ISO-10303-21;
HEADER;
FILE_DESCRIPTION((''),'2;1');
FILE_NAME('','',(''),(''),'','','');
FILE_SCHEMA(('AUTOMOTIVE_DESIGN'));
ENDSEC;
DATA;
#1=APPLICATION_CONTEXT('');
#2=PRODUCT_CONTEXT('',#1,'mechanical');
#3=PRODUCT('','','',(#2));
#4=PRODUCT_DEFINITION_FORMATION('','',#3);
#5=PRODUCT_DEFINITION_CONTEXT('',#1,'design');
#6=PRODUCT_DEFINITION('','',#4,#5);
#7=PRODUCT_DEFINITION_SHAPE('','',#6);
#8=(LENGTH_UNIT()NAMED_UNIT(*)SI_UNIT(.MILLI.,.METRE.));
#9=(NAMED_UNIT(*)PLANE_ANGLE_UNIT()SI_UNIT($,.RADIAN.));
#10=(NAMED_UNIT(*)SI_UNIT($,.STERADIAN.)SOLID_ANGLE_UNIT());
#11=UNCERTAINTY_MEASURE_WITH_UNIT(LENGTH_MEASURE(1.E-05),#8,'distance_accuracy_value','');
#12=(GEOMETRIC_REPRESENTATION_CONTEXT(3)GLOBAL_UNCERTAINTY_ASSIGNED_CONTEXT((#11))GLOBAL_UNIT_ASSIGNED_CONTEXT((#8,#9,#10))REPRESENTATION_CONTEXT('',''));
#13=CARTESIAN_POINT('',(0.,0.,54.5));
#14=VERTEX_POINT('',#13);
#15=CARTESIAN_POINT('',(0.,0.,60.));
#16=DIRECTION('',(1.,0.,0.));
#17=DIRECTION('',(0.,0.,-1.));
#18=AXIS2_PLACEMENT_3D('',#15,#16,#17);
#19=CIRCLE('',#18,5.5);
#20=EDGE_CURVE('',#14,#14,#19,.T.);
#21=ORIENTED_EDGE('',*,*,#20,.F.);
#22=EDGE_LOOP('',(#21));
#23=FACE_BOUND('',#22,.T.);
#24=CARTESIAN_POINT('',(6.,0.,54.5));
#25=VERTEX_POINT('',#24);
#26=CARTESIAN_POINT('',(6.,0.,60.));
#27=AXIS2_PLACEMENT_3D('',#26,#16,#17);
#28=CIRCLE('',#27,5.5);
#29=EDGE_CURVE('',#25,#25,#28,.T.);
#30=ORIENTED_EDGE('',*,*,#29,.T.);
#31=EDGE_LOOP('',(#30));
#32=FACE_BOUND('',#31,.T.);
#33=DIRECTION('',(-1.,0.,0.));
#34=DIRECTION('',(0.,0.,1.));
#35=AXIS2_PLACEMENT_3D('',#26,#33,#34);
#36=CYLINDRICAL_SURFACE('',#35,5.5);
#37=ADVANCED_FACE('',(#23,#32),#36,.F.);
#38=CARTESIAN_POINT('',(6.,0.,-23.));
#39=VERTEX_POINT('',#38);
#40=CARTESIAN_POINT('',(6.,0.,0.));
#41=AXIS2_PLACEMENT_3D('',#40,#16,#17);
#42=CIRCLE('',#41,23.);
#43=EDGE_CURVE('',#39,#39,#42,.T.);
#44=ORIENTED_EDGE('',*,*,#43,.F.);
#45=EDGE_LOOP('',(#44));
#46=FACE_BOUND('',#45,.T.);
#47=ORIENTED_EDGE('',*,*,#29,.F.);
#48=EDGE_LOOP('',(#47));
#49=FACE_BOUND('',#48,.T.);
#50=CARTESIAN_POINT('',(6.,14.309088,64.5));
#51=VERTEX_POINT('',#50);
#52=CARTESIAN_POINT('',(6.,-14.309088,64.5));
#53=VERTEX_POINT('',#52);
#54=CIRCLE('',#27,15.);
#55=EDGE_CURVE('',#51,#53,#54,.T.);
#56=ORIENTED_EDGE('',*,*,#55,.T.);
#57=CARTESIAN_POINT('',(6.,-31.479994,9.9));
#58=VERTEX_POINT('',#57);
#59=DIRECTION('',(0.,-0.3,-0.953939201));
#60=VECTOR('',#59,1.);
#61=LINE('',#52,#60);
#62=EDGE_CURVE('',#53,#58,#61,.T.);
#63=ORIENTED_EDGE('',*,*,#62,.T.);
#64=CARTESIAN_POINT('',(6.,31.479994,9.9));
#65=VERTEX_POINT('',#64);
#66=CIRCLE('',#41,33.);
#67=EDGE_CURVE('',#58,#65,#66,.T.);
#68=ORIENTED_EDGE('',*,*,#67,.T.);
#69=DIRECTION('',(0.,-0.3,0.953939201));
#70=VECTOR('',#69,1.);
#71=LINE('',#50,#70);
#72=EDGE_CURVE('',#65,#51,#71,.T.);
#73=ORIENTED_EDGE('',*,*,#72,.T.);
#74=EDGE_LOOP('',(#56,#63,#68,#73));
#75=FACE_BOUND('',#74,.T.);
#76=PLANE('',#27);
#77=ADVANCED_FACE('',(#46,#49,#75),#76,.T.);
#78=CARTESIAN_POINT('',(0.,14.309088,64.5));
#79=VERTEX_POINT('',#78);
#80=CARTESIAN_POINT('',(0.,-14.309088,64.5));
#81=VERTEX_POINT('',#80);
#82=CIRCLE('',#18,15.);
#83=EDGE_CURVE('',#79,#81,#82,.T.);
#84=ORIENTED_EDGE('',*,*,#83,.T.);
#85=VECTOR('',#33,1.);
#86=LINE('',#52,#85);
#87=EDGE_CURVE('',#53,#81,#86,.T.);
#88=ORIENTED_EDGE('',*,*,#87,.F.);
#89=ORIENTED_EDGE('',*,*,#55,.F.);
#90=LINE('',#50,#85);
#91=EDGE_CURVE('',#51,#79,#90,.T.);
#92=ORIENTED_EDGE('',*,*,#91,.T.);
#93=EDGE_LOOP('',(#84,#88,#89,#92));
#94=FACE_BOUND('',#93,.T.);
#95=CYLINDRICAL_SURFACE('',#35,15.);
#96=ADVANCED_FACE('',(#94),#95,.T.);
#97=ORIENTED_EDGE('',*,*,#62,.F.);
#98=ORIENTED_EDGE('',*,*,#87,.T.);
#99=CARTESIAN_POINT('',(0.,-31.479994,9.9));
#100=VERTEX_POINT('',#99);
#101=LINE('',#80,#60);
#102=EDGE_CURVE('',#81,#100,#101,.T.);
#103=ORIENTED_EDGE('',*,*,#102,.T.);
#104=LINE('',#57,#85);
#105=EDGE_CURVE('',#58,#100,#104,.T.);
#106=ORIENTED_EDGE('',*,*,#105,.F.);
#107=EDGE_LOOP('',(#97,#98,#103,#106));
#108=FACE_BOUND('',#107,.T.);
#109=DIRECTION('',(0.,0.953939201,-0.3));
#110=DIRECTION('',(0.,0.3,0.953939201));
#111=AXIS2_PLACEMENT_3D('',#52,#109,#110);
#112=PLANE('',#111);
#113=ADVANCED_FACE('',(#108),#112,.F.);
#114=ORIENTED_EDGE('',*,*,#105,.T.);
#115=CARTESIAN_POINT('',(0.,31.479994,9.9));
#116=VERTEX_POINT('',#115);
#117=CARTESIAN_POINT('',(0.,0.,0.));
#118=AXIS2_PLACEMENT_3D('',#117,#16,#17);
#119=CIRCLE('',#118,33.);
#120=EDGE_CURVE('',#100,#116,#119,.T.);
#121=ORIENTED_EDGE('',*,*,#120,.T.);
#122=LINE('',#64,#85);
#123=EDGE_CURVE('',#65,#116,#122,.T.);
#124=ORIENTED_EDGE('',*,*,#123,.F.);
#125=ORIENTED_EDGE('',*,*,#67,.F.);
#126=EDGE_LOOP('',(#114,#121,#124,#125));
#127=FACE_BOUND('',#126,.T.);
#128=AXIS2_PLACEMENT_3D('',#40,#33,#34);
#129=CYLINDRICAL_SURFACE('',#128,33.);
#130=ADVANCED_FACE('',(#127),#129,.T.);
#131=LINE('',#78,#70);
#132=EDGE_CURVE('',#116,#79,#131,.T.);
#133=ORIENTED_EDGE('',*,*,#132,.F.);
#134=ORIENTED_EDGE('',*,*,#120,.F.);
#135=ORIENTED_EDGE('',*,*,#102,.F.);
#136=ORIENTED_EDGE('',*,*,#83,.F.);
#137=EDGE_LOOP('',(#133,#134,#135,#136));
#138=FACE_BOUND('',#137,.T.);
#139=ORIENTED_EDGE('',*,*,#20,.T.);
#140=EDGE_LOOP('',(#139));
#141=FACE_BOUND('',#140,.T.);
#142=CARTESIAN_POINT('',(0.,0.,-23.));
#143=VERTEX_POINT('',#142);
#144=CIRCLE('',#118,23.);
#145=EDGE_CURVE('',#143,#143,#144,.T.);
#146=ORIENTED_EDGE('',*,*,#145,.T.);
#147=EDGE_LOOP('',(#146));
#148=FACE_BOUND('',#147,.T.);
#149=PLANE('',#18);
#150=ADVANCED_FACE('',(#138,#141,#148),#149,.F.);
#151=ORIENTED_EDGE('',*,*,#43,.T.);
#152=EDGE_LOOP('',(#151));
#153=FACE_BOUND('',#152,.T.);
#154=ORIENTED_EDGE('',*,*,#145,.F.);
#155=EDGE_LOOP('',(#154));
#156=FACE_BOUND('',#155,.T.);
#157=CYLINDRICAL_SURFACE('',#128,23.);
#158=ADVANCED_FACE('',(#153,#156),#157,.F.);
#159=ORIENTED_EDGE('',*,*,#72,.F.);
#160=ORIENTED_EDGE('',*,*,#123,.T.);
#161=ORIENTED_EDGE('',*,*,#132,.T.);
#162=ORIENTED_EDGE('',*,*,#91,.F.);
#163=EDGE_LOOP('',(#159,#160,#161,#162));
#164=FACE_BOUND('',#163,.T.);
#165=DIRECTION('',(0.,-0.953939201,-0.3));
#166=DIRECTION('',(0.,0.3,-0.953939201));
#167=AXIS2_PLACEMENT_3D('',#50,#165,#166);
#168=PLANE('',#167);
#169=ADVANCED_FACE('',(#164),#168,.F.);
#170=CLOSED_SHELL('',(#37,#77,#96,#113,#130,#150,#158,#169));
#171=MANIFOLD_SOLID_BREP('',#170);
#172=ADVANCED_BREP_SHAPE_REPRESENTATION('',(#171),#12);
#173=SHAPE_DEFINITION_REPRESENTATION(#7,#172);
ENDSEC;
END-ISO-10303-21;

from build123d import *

# Parameters (mm, degrees)
SKETCH_1_R      = 23
SKETCH_1_R_2    = 5.5
EXTRUDE_1_DEPTH = 6


with BuildPart() as part:
    # 草图1 → 凸台-拉伸1 (new body)
    with BuildSketch(Plane(origin=(0, 0, 0), x_dir=(0, 0, -1), z_dir=(1, 0, 0))):
        with BuildLine():
            Line((-64.5, 14.309088021), (-9.9, 31.479993647))
            ThreePointArc((-9.9, 31.479993647), (33, 0), (-9.9, -31.479993647))
            Line((-9.9, -31.479993647), (-64.5, -14.309088021))
            ThreePointArc((-64.5, -14.309088021), (-75, 0), (-64.5, 14.309088021))
        make_face()
        Circle(SKETCH_1_R, mode=Mode.SUBTRACT)
        with Locations((-60, 0)):
            Circle(SKETCH_1_R_2, mode=Mode.SUBTRACT)
    extrude(amount=EXTRUDE_1_DEPTH)


solid = part.part
